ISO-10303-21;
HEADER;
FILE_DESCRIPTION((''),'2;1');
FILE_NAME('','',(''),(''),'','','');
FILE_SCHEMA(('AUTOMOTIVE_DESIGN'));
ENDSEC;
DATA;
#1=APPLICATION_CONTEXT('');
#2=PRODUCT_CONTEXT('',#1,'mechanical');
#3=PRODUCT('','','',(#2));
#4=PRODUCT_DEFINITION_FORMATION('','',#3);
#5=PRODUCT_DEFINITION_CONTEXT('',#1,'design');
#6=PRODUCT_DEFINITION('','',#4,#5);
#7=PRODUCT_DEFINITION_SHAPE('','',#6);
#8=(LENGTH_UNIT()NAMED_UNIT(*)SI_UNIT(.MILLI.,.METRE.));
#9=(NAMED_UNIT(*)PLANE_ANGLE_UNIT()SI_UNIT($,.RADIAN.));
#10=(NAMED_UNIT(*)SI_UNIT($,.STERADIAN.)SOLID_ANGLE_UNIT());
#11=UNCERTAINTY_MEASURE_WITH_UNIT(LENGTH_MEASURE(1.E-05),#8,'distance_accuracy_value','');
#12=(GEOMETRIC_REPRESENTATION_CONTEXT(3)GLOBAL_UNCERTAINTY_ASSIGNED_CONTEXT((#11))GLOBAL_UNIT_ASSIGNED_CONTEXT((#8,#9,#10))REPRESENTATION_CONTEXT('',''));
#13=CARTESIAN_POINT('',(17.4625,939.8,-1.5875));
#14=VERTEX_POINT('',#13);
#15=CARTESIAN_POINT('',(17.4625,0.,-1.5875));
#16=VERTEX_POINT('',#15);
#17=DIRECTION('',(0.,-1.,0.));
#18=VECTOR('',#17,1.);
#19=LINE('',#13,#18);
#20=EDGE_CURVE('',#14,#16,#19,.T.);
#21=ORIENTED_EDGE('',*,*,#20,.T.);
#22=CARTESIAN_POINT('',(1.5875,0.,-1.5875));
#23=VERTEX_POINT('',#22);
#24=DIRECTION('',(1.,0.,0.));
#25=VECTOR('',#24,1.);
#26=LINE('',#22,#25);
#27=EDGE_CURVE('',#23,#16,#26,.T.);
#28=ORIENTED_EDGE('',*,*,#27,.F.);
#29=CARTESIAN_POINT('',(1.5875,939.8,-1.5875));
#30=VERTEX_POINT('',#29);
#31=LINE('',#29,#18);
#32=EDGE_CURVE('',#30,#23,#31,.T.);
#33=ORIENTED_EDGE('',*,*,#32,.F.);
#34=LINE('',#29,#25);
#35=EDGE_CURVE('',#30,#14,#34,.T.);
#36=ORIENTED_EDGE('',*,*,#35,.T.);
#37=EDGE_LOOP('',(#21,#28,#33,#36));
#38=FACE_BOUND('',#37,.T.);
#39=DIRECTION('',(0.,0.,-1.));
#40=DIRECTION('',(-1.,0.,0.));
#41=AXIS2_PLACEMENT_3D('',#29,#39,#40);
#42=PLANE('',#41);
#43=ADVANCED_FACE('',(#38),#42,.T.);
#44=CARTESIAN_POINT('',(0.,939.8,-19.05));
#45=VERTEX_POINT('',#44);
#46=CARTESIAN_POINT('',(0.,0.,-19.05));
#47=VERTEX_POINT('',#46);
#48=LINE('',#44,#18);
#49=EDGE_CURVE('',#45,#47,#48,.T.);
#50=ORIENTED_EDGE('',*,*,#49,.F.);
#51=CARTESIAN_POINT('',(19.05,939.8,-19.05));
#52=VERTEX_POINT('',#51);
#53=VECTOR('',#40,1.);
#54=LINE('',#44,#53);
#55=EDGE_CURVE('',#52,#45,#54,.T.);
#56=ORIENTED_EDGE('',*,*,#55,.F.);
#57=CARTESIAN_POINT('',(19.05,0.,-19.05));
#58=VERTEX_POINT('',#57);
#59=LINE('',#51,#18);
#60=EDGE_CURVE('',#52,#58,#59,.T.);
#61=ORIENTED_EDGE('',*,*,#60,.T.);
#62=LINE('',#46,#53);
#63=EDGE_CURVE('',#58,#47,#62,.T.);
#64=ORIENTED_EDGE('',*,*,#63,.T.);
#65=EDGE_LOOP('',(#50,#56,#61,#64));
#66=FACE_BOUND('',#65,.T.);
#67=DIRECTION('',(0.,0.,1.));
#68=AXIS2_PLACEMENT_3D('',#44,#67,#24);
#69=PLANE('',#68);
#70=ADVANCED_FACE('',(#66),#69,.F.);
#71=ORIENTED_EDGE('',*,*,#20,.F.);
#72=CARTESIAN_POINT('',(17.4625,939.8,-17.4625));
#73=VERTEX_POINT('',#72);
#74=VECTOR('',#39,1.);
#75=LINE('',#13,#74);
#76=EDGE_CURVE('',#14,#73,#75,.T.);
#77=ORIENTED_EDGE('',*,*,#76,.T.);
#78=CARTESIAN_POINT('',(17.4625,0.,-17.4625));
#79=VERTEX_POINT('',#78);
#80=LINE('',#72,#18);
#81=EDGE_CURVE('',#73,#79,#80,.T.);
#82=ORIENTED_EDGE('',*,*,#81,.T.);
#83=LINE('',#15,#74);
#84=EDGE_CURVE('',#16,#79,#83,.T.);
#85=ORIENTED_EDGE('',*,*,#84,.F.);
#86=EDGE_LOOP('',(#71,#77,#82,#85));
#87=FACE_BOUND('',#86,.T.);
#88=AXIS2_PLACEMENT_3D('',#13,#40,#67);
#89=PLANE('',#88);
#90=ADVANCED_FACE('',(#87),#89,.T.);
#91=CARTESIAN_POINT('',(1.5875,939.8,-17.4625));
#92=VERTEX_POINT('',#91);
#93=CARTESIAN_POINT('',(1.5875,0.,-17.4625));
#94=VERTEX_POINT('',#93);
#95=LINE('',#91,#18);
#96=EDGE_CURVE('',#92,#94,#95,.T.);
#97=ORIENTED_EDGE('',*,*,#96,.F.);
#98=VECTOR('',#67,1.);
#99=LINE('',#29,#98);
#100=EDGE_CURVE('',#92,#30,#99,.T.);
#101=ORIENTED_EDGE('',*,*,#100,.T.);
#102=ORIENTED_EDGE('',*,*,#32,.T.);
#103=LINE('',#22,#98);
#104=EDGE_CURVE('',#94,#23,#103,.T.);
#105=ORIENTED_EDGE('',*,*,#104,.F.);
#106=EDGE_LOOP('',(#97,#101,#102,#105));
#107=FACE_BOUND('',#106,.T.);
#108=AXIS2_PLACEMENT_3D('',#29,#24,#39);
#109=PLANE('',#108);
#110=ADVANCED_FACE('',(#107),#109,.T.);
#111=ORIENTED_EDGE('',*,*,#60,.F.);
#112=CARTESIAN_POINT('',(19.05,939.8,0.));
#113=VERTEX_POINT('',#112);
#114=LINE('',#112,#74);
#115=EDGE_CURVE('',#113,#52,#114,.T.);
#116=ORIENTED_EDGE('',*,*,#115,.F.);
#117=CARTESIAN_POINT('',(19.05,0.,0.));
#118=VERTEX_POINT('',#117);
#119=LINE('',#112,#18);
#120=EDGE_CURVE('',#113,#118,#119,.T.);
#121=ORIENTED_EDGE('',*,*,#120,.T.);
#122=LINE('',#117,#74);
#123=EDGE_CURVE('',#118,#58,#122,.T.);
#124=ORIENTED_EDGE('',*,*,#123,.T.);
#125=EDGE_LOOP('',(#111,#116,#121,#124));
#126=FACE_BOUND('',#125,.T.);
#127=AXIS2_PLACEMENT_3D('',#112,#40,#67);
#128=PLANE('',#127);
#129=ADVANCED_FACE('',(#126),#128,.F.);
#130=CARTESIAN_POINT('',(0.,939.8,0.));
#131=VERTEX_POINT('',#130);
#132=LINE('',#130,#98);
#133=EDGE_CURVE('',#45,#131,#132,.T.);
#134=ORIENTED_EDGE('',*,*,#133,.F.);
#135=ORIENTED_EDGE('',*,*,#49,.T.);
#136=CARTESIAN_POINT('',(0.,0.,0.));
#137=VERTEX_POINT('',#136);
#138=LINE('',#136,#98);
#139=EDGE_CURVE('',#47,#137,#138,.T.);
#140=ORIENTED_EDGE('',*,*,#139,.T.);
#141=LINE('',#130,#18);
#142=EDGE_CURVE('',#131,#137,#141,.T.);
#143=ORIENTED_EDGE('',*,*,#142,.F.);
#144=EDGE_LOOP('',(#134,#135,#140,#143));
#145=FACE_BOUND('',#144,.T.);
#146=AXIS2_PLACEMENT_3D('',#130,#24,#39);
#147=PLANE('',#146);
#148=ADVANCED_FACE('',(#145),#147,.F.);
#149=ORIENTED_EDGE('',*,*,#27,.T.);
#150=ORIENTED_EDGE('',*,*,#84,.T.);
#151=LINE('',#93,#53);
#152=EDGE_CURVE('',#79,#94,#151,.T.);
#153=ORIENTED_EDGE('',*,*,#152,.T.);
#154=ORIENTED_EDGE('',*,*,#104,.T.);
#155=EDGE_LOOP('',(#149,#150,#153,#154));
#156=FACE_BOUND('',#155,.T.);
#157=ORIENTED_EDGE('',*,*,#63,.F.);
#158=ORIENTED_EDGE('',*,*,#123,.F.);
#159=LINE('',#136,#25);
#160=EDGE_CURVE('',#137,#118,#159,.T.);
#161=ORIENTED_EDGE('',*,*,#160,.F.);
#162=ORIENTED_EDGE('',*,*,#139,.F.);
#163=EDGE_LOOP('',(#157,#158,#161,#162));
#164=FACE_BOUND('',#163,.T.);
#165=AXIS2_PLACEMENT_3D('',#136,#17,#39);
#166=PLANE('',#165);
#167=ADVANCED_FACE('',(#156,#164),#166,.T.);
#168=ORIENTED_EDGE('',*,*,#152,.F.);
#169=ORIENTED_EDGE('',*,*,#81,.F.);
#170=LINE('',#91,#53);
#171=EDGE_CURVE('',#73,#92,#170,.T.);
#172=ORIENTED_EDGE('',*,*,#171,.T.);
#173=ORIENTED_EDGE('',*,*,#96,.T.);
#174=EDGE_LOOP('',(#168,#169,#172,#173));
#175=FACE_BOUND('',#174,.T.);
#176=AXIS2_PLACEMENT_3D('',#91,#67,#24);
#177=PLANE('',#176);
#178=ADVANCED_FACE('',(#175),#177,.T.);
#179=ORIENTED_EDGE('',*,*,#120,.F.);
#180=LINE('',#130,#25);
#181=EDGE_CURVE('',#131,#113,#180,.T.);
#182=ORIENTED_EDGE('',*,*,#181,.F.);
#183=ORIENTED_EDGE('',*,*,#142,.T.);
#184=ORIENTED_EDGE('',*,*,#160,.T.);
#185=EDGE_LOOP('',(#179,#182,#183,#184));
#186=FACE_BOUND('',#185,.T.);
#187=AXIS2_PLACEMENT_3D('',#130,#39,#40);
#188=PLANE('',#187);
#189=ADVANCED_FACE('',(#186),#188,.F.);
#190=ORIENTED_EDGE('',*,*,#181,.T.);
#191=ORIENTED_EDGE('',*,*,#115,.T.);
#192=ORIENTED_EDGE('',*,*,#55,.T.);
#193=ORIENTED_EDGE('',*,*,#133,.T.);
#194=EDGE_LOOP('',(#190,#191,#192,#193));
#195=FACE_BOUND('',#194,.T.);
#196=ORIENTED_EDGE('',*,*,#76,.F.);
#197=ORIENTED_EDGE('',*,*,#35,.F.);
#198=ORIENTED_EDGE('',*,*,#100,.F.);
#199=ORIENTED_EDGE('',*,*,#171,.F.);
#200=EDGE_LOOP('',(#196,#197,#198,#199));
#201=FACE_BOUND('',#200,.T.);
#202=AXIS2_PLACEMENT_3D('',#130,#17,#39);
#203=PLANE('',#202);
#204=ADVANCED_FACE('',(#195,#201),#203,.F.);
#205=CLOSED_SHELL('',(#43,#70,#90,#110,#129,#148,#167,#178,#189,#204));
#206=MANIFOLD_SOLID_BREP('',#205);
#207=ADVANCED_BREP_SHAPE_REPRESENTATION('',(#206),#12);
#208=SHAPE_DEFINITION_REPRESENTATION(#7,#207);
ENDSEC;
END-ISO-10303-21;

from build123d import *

# Parameters (mm, degrees)
SKETCH1_W           = 19.05
SKETCH1_H           = 19.05
SKETCH1_W_2         = 15.875
SKETCH1_H_2         = 15.875
BOSS_EXTRUDE1_DEPTH = 939.8


with BuildPart() as part:
    # Sketch1 → Boss-Extrude1 (new body)
    with BuildSketch(Plane(origin=(0, 0, 0), x_dir=(1, 0, 0), z_dir=(0, 1, 0))):
        with Locations((9.525, 9.525)):
            Rectangle(SKETCH1_W, SKETCH1_H)
        with Locations((9.525, 9.525)):
            Rectangle(SKETCH1_W_2, SKETCH1_H_2, mode=Mode.SUBTRACT)
    extrude(amount=BOSS_EXTRUDE1_DEPTH)


solid = part.part
